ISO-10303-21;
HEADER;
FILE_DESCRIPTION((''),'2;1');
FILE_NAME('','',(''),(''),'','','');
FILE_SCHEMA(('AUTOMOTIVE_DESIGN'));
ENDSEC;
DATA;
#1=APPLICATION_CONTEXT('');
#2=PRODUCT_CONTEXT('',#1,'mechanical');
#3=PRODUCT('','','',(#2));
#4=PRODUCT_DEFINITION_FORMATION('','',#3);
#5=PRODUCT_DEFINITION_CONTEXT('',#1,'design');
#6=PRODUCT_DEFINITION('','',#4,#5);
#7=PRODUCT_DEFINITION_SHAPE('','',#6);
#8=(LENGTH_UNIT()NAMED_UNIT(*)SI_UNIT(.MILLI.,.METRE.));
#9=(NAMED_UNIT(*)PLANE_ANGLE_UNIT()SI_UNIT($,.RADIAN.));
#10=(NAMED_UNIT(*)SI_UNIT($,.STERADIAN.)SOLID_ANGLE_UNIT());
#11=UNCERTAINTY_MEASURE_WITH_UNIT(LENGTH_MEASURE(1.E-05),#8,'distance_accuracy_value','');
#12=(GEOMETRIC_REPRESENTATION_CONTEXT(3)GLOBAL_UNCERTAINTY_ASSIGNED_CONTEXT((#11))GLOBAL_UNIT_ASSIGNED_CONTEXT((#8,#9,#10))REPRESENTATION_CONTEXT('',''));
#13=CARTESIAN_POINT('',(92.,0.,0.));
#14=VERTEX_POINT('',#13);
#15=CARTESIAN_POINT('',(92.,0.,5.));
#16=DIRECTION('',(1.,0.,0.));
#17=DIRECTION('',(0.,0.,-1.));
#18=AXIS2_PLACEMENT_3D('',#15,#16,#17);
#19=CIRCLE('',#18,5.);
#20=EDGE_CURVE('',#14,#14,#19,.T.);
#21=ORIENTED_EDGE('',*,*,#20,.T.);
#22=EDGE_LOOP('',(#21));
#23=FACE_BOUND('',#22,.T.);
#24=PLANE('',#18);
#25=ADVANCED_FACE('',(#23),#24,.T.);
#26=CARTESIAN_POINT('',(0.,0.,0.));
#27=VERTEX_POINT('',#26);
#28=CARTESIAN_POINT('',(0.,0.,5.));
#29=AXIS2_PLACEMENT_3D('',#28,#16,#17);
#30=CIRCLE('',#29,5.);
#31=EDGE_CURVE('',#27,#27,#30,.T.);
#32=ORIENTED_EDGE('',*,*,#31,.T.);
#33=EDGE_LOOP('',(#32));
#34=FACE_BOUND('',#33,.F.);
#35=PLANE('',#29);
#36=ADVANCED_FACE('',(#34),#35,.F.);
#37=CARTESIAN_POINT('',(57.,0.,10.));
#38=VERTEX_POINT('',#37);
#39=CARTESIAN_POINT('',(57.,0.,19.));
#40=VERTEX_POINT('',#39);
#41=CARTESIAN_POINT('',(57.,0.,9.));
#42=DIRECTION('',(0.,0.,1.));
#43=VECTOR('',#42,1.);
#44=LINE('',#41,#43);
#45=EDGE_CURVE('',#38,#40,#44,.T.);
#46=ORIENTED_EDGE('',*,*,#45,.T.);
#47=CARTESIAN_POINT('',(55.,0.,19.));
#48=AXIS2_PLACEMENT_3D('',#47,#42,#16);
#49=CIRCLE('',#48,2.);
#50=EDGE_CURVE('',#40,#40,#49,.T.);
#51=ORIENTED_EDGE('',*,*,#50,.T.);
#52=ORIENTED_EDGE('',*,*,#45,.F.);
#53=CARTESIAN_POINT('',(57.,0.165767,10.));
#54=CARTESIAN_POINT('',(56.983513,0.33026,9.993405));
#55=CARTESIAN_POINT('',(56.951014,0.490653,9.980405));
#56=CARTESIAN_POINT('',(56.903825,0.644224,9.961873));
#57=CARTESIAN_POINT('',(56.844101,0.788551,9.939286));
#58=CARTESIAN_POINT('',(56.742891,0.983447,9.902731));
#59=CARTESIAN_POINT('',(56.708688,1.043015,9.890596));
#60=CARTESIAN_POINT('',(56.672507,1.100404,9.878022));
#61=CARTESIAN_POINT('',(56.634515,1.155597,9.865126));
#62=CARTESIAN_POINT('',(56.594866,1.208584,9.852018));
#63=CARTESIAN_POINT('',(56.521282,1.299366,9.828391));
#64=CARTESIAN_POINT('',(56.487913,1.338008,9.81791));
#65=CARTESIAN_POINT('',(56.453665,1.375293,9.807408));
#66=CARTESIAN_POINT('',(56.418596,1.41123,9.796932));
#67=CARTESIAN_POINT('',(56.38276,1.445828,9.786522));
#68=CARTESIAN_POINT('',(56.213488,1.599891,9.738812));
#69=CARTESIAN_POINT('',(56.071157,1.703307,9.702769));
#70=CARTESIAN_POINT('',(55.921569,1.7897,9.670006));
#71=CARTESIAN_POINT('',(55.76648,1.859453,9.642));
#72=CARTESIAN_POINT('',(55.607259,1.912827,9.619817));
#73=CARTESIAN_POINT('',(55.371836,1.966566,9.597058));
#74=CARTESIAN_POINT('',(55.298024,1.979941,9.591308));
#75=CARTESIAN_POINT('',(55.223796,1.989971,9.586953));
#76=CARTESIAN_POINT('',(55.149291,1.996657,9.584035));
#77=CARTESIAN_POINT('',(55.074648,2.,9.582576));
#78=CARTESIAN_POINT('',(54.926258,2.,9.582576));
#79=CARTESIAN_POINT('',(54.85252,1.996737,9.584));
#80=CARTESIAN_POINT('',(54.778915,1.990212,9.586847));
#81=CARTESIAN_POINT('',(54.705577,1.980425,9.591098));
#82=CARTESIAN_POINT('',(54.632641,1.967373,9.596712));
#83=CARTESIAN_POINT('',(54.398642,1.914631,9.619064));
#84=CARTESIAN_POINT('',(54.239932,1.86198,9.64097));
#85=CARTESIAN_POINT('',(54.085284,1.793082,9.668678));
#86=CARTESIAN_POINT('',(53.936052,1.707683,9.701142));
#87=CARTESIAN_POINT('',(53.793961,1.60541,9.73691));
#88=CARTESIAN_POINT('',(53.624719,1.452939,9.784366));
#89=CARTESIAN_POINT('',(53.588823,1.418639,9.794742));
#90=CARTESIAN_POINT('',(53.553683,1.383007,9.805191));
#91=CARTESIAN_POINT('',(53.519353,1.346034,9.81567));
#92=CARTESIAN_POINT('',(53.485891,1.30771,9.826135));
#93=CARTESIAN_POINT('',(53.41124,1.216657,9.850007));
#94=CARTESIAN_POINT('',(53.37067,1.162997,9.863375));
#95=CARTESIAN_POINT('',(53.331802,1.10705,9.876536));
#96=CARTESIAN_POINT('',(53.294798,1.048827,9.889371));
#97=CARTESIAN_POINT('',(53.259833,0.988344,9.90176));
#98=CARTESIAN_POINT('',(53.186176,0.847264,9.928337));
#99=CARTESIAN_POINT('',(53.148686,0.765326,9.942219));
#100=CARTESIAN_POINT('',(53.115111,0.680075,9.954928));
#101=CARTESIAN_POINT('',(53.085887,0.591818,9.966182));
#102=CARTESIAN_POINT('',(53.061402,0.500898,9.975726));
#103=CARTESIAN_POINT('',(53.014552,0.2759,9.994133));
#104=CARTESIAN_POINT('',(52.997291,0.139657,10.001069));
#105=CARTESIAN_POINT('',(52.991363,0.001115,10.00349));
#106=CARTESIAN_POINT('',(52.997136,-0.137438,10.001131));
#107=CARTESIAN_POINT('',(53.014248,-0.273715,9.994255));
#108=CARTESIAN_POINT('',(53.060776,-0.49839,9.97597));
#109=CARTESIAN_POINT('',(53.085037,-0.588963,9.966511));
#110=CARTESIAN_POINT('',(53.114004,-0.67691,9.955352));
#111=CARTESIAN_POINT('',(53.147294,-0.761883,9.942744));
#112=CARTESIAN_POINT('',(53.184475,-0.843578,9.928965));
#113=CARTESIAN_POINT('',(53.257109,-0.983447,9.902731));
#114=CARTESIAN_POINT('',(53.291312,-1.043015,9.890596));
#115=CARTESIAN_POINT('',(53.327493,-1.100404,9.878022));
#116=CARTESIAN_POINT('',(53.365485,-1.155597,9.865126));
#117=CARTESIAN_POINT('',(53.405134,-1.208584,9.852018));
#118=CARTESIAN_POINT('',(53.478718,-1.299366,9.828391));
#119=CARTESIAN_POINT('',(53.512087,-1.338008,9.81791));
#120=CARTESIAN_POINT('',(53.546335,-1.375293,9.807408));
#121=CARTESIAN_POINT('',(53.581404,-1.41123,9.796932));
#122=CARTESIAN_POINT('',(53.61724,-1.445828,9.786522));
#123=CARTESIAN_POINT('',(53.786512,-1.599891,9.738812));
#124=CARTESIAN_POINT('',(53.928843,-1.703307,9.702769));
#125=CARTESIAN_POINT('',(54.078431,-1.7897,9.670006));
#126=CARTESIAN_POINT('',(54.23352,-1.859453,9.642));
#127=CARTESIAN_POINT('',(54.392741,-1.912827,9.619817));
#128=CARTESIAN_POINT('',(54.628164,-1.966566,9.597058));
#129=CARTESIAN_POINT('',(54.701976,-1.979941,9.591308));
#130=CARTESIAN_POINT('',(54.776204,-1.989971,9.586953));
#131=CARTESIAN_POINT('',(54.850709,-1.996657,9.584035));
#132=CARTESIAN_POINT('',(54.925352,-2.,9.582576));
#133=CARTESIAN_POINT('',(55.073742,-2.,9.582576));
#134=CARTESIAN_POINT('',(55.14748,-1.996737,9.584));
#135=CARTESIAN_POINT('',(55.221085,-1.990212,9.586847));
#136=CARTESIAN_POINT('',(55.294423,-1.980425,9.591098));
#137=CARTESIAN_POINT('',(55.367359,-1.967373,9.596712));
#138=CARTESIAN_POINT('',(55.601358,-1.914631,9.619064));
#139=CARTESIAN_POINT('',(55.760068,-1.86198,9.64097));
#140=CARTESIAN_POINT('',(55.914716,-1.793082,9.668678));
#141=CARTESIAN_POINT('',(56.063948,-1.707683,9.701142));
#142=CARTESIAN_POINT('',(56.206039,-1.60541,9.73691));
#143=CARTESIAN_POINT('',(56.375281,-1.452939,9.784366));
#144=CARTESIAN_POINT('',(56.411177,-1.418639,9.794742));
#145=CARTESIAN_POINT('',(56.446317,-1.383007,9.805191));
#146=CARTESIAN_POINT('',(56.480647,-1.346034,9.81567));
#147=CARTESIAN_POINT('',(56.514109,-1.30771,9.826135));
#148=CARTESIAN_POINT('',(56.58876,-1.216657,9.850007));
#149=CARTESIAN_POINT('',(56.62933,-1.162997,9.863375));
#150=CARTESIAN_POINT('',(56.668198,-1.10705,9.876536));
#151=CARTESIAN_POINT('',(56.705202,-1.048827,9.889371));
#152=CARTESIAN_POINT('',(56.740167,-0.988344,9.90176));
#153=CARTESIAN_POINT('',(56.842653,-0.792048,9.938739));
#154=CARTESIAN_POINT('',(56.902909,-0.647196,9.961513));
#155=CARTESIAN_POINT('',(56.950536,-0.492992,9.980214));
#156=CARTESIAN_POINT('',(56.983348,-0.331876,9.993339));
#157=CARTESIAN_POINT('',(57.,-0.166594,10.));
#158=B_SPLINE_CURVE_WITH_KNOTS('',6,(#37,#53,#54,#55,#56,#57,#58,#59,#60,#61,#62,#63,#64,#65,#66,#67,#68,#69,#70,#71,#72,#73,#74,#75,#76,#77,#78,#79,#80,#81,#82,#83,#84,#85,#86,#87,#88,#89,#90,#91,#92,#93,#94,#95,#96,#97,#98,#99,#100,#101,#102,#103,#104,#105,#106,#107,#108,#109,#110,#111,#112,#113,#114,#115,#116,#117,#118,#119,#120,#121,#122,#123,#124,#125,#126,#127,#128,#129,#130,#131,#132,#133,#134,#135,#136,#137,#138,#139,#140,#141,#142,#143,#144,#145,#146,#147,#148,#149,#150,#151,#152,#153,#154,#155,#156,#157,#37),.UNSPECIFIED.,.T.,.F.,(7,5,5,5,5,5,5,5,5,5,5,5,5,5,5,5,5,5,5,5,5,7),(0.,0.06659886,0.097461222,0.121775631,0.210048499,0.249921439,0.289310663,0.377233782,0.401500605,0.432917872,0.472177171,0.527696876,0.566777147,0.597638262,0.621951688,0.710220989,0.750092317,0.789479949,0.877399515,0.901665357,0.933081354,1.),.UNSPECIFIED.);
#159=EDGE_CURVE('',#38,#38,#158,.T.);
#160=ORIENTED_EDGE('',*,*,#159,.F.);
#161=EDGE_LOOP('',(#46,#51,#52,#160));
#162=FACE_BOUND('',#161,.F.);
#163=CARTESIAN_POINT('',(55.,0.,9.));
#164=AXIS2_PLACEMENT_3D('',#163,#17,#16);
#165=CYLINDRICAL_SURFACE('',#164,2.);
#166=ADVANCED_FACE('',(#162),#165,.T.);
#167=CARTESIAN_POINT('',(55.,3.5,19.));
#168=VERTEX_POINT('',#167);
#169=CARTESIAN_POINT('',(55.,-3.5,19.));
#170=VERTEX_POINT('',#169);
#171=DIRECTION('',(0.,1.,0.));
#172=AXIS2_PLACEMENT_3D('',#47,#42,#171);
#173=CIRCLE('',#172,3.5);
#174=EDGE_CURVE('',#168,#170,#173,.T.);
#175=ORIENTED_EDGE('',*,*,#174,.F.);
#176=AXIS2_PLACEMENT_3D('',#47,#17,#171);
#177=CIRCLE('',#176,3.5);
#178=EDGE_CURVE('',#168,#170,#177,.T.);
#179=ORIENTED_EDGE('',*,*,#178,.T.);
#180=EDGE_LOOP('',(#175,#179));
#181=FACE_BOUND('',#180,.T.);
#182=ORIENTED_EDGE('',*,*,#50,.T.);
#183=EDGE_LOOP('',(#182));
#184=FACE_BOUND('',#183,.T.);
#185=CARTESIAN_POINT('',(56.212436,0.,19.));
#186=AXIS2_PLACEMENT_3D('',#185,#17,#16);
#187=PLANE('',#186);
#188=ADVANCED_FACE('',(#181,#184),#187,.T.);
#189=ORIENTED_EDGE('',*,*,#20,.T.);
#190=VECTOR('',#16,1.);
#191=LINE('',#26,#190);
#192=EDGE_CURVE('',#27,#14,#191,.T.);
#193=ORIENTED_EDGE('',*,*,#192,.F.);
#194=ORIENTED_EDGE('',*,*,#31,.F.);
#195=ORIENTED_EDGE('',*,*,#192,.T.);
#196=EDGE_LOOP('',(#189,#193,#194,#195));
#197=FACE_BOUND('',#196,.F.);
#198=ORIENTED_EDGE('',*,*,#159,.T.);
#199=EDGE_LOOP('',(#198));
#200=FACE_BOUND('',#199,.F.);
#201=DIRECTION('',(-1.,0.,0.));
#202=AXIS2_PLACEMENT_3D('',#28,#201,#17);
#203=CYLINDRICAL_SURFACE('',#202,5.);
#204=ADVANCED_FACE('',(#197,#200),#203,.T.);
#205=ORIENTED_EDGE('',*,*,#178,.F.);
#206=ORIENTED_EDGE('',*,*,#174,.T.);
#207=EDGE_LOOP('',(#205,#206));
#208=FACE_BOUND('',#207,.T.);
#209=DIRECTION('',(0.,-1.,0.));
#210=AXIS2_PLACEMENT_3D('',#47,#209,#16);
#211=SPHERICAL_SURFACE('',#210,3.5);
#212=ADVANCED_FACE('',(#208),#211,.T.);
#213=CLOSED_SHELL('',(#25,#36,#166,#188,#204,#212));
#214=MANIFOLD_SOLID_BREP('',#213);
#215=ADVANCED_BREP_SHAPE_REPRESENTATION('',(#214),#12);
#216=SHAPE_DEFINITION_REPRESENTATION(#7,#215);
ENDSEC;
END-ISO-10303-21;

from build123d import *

# Parameters (mm, degrees)
SPHERE_ANGLE         = 180
SPHERE_ROLL_ANGLE    = 90
CYLINDER001_R        = 2
CYLINDER001_DEPTH    = 10
CYLINDER_R           = 5
CYLINDER_DEPTH       = 92
CYLINDER_PITCH_ANGLE = 90


with BuildPart() as sphere:
    # Sphere → Sphere (revolve)
    with BuildSketch(Plane.XZ):
        with BuildLine():
            ThreePointArc((0, -3.5), (3.5, 0), (0, 3.5))
            Line((0, 3.5), (0, -3.5))
        make_face()
    revolve(axis=Axis((0, 0, 0), (0, 0, 1)), revolution_arc=SPHERE_ANGLE)


with BuildPart() as sphere_1:
    # Sphere roll: moved
    add(sphere.part.rotate(Axis((0, 0, 0), (1, 0, 0)), SPHERE_ROLL_ANGLE))


with BuildPart() as sphere_2:
    # Sphere placement: moved
    add(sphere_1.part.moved(Location((55, 0, 19))))


with BuildPart() as cylinder001:
    # Cylinder001 → Cylinder001 (new body)
    with BuildSketch(Plane(origin=(55, 0, 9), x_dir=(1, 0, 0), z_dir=(0, 0, 1))):
        Circle(CYLINDER001_R)
    extrude(amount=CYLINDER001_DEPTH)


with BuildPart() as fusion001:
    # Cylinder → Cylinder (new body)
    with BuildSketch(Plane.XY):
        Circle(CYLINDER_R)
    extrude(amount=CYLINDER_DEPTH)


with BuildPart() as fusion001_1:
    # Cylinder pitch: moved
    add(fusion001.part.rotate(Axis((0, 0, 0), (0, 1, 0)), CYLINDER_PITCH_ANGLE))


with BuildPart() as fusion001_2:
    # Cylinder placement: moved
    add(fusion001_1.part.moved(Location((0, 0, 5))))

    # Fusion: union Cylinder001
    add(cylinder001.part)

    # Fusion001: union Sphere
    add(sphere_2.part)


solid = fusion001_2.part
